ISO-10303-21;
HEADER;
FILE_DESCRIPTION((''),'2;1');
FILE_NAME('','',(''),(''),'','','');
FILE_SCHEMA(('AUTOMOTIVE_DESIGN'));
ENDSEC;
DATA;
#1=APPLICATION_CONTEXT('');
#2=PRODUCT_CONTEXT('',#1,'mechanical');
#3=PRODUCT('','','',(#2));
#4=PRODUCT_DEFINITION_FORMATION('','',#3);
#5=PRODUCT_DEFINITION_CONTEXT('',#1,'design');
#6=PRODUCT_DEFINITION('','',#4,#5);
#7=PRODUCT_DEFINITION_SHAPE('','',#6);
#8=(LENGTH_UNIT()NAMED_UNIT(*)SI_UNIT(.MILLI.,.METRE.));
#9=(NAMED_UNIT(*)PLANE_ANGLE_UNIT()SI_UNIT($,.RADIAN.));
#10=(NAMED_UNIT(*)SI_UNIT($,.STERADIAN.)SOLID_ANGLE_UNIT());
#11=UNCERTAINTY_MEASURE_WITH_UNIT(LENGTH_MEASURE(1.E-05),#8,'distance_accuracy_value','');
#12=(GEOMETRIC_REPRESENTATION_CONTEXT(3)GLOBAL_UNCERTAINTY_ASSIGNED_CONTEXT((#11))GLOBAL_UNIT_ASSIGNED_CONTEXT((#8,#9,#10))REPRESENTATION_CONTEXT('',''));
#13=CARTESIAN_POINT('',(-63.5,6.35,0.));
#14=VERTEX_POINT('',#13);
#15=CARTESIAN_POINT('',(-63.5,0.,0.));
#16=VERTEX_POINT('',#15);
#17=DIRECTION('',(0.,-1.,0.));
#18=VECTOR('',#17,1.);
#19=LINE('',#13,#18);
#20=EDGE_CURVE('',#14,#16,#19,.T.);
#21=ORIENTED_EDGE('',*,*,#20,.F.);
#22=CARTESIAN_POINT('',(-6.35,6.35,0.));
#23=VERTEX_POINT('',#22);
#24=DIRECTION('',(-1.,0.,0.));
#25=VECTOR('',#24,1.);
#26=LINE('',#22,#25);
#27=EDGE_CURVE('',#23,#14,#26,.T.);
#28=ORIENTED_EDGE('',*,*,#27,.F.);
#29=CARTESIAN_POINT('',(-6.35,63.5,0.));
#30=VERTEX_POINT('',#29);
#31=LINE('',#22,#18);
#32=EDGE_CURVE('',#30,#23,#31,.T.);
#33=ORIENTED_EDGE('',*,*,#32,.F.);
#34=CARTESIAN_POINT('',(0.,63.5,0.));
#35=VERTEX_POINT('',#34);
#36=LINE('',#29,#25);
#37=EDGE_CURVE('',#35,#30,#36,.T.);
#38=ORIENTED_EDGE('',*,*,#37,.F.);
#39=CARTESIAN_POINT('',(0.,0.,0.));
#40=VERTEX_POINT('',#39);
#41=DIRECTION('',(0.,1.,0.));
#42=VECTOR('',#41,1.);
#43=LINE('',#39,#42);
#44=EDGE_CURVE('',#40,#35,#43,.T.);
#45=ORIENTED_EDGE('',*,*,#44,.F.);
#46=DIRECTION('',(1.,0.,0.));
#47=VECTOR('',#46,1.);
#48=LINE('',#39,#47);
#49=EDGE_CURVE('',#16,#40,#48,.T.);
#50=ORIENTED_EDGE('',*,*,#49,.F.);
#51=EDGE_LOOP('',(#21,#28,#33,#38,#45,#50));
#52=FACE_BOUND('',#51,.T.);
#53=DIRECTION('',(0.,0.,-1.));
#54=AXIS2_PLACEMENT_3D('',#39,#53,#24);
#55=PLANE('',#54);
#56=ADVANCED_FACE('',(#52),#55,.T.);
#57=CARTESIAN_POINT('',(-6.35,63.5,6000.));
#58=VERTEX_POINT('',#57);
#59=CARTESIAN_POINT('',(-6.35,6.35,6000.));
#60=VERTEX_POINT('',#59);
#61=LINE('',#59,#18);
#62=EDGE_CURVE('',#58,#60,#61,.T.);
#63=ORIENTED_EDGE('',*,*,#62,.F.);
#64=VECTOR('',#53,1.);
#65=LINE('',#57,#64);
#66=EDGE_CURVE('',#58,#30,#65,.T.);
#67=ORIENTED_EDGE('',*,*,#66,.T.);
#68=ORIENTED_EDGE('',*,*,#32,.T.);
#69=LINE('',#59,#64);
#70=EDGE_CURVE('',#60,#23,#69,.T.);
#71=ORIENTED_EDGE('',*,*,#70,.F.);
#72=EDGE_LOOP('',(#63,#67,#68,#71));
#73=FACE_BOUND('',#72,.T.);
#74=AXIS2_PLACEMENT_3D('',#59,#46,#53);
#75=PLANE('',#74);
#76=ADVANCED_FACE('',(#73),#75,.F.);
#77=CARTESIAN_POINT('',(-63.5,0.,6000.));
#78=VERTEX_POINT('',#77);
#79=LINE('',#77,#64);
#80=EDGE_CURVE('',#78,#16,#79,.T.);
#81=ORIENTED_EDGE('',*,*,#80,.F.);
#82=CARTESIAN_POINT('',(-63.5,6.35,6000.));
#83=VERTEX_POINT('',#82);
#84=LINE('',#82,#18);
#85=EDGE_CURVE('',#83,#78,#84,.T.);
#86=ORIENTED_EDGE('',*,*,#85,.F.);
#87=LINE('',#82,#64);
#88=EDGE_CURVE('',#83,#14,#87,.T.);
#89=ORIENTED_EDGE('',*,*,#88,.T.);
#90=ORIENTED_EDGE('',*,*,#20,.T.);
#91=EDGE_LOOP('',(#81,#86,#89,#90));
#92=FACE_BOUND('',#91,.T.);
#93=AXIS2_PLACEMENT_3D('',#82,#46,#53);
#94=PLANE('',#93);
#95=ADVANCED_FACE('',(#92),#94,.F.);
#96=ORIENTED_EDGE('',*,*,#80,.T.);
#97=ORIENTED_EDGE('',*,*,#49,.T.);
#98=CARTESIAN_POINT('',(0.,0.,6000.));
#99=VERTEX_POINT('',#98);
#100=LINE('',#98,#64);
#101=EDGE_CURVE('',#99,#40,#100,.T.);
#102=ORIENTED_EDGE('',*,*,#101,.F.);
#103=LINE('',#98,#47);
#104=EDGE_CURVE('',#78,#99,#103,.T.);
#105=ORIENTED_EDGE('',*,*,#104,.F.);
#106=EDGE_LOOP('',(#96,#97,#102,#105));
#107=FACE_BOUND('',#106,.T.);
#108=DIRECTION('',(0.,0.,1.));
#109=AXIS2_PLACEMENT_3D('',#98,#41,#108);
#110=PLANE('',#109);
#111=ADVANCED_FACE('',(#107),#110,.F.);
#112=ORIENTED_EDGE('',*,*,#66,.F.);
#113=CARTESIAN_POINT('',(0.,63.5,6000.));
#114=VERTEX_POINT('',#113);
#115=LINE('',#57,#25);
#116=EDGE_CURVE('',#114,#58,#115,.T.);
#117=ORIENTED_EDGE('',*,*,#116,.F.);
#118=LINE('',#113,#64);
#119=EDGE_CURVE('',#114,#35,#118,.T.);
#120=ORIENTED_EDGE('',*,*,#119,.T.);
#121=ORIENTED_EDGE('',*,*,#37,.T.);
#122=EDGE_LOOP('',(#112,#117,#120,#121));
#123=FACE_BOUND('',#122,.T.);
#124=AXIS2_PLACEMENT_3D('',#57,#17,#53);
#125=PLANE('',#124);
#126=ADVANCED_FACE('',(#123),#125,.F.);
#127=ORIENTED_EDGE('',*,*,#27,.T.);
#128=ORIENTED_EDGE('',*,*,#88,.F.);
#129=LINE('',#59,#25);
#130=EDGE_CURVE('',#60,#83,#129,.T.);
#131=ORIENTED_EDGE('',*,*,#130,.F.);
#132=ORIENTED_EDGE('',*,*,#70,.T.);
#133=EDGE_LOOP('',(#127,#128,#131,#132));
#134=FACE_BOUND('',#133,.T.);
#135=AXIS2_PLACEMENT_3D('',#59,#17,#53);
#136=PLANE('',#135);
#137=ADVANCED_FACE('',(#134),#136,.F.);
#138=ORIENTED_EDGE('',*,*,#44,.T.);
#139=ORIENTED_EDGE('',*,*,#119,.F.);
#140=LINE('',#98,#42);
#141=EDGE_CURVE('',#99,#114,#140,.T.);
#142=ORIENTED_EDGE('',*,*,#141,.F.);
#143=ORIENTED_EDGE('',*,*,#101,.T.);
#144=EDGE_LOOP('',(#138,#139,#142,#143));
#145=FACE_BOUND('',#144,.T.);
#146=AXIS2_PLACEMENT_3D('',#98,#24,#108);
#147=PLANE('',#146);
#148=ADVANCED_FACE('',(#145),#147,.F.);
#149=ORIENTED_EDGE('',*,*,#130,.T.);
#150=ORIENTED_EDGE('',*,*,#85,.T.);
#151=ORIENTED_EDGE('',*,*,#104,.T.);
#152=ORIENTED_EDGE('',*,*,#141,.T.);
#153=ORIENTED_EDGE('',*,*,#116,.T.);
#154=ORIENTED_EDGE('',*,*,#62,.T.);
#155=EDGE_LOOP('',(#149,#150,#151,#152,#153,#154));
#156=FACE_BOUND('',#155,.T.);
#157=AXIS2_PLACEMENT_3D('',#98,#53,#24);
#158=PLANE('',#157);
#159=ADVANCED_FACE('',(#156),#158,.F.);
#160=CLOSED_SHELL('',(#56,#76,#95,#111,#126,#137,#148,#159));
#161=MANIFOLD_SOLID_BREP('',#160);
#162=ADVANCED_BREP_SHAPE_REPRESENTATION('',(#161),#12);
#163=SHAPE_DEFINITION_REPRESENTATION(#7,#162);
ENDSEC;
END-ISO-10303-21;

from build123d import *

# Parameters (mm, degrees)
SALIENTE_EXTRUIR1_DEPTH = 6000


with BuildPart() as part:
    # Croquis1 → Saliente-Extruir1 (new body)
    with BuildSketch(Plane.XY):
        Polygon((0, 0), (-63.5, 0), (-63.5, 6.35), (-6.35, 6.35), (-6.35, 63.5), (0, 63.5), align=None)
    extrude(amount=SALIENTE_EXTRUIR1_DEPTH)


solid = part.part
